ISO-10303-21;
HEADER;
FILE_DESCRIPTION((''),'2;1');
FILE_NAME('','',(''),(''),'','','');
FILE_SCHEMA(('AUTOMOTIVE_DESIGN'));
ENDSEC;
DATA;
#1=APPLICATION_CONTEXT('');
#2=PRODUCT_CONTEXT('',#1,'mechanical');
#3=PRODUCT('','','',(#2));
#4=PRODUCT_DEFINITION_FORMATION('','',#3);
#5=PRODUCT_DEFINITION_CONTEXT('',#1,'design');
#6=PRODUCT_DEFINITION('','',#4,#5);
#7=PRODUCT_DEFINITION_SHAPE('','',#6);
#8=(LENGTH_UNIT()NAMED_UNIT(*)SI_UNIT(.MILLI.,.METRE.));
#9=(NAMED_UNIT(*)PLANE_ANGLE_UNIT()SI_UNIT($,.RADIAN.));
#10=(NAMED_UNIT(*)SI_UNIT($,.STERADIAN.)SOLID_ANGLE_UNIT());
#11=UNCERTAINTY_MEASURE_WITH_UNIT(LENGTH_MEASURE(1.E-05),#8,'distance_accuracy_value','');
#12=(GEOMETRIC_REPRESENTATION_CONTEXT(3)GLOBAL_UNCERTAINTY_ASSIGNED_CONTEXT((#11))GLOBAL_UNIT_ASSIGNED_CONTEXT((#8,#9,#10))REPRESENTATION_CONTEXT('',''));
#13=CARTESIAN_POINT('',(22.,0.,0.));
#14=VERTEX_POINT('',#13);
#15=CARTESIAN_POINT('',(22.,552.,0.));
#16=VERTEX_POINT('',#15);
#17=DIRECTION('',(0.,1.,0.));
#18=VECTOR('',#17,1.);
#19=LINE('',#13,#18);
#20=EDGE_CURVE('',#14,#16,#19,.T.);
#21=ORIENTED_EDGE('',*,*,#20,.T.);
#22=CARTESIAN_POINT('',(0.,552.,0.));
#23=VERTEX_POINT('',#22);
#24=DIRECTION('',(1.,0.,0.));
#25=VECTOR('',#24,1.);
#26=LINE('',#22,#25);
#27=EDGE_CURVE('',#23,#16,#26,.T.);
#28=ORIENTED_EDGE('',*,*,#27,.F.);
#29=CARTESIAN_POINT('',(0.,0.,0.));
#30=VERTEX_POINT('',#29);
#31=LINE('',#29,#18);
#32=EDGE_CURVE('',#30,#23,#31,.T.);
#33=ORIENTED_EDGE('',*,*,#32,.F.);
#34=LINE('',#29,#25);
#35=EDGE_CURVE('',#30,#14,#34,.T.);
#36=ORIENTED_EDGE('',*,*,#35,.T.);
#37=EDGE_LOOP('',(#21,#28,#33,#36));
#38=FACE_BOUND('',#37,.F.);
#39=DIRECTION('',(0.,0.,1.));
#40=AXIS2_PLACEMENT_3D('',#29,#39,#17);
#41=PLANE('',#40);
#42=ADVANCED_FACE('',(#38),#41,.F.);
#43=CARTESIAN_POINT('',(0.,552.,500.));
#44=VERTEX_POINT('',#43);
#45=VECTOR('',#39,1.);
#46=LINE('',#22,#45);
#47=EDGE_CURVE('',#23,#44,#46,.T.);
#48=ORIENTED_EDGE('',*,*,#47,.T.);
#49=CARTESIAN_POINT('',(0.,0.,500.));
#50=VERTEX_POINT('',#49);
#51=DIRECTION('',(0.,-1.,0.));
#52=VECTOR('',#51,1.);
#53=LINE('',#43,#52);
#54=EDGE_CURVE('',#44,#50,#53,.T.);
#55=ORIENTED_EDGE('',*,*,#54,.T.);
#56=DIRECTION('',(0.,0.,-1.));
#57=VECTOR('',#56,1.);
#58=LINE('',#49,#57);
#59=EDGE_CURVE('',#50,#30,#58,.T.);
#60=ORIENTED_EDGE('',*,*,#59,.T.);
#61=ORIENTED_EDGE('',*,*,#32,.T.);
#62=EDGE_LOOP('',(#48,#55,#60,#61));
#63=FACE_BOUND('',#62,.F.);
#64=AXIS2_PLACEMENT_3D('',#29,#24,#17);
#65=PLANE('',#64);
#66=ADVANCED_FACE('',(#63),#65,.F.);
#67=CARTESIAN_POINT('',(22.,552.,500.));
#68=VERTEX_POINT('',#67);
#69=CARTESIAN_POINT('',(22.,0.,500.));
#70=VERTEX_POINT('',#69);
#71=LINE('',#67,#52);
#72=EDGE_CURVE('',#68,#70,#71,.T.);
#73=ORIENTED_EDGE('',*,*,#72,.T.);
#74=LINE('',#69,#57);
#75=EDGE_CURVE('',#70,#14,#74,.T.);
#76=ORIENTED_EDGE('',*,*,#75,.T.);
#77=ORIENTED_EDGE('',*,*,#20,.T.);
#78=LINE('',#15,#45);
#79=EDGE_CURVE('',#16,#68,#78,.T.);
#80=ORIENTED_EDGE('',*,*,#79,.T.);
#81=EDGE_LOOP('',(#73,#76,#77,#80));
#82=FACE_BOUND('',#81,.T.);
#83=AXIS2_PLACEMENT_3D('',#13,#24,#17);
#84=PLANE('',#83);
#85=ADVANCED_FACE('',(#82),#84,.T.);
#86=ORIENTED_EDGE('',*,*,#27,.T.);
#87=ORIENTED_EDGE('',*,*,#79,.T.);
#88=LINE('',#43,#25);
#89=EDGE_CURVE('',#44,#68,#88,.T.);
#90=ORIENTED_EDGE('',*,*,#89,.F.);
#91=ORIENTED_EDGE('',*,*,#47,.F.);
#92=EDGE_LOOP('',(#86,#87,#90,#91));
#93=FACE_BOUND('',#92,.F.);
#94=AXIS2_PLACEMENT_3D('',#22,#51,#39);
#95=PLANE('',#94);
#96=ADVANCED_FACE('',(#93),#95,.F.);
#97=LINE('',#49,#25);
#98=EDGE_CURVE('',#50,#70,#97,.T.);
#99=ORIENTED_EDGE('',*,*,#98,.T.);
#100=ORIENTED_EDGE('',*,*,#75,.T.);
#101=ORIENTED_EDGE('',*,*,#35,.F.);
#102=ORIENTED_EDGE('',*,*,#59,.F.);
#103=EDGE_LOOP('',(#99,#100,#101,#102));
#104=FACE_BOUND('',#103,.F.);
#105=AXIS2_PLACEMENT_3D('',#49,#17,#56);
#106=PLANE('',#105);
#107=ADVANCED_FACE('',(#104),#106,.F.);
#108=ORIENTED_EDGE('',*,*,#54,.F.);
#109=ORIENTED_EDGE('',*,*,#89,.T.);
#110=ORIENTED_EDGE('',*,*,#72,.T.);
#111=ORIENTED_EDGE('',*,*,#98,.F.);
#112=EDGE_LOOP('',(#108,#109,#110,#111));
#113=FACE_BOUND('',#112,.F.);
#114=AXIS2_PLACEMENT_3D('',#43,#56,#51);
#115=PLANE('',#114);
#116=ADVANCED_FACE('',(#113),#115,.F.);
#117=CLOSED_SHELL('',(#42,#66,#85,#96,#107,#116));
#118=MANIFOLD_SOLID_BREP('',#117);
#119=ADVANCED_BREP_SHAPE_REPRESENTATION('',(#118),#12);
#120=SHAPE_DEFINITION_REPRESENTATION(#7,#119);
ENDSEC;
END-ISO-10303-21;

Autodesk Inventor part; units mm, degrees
ref_plane "YZ Plane" through (0, 0, 0) normal (1, 0, 0) x (0, 1, 0)
ref_plane "XZ Plane" through (0, 0, 0) normal (0, 1, 0) x (-1, 0, 0)
ref_plane "XY Plane" through (0, 0, 0) normal (0, 0, 1) x (1, 0, 0)
sketch "Sketch1" plane through (0, 0, 0) normal (1, 0, 0) x (0, 1, 0)
  line L0 (0, 0) -> (552, 0)
  line L1 (552, 0) -> (552, 500)
  line L2 (552, 500) -> (0, 500)
  line L3 (0, 500) -> (0, 0)
  dimension "d0" = 552
  dimension "d2" = 500
extrude "Extrusion1" add sketch "Sketch1" along normal blind 22
properties part number "schreibtischplatte"
